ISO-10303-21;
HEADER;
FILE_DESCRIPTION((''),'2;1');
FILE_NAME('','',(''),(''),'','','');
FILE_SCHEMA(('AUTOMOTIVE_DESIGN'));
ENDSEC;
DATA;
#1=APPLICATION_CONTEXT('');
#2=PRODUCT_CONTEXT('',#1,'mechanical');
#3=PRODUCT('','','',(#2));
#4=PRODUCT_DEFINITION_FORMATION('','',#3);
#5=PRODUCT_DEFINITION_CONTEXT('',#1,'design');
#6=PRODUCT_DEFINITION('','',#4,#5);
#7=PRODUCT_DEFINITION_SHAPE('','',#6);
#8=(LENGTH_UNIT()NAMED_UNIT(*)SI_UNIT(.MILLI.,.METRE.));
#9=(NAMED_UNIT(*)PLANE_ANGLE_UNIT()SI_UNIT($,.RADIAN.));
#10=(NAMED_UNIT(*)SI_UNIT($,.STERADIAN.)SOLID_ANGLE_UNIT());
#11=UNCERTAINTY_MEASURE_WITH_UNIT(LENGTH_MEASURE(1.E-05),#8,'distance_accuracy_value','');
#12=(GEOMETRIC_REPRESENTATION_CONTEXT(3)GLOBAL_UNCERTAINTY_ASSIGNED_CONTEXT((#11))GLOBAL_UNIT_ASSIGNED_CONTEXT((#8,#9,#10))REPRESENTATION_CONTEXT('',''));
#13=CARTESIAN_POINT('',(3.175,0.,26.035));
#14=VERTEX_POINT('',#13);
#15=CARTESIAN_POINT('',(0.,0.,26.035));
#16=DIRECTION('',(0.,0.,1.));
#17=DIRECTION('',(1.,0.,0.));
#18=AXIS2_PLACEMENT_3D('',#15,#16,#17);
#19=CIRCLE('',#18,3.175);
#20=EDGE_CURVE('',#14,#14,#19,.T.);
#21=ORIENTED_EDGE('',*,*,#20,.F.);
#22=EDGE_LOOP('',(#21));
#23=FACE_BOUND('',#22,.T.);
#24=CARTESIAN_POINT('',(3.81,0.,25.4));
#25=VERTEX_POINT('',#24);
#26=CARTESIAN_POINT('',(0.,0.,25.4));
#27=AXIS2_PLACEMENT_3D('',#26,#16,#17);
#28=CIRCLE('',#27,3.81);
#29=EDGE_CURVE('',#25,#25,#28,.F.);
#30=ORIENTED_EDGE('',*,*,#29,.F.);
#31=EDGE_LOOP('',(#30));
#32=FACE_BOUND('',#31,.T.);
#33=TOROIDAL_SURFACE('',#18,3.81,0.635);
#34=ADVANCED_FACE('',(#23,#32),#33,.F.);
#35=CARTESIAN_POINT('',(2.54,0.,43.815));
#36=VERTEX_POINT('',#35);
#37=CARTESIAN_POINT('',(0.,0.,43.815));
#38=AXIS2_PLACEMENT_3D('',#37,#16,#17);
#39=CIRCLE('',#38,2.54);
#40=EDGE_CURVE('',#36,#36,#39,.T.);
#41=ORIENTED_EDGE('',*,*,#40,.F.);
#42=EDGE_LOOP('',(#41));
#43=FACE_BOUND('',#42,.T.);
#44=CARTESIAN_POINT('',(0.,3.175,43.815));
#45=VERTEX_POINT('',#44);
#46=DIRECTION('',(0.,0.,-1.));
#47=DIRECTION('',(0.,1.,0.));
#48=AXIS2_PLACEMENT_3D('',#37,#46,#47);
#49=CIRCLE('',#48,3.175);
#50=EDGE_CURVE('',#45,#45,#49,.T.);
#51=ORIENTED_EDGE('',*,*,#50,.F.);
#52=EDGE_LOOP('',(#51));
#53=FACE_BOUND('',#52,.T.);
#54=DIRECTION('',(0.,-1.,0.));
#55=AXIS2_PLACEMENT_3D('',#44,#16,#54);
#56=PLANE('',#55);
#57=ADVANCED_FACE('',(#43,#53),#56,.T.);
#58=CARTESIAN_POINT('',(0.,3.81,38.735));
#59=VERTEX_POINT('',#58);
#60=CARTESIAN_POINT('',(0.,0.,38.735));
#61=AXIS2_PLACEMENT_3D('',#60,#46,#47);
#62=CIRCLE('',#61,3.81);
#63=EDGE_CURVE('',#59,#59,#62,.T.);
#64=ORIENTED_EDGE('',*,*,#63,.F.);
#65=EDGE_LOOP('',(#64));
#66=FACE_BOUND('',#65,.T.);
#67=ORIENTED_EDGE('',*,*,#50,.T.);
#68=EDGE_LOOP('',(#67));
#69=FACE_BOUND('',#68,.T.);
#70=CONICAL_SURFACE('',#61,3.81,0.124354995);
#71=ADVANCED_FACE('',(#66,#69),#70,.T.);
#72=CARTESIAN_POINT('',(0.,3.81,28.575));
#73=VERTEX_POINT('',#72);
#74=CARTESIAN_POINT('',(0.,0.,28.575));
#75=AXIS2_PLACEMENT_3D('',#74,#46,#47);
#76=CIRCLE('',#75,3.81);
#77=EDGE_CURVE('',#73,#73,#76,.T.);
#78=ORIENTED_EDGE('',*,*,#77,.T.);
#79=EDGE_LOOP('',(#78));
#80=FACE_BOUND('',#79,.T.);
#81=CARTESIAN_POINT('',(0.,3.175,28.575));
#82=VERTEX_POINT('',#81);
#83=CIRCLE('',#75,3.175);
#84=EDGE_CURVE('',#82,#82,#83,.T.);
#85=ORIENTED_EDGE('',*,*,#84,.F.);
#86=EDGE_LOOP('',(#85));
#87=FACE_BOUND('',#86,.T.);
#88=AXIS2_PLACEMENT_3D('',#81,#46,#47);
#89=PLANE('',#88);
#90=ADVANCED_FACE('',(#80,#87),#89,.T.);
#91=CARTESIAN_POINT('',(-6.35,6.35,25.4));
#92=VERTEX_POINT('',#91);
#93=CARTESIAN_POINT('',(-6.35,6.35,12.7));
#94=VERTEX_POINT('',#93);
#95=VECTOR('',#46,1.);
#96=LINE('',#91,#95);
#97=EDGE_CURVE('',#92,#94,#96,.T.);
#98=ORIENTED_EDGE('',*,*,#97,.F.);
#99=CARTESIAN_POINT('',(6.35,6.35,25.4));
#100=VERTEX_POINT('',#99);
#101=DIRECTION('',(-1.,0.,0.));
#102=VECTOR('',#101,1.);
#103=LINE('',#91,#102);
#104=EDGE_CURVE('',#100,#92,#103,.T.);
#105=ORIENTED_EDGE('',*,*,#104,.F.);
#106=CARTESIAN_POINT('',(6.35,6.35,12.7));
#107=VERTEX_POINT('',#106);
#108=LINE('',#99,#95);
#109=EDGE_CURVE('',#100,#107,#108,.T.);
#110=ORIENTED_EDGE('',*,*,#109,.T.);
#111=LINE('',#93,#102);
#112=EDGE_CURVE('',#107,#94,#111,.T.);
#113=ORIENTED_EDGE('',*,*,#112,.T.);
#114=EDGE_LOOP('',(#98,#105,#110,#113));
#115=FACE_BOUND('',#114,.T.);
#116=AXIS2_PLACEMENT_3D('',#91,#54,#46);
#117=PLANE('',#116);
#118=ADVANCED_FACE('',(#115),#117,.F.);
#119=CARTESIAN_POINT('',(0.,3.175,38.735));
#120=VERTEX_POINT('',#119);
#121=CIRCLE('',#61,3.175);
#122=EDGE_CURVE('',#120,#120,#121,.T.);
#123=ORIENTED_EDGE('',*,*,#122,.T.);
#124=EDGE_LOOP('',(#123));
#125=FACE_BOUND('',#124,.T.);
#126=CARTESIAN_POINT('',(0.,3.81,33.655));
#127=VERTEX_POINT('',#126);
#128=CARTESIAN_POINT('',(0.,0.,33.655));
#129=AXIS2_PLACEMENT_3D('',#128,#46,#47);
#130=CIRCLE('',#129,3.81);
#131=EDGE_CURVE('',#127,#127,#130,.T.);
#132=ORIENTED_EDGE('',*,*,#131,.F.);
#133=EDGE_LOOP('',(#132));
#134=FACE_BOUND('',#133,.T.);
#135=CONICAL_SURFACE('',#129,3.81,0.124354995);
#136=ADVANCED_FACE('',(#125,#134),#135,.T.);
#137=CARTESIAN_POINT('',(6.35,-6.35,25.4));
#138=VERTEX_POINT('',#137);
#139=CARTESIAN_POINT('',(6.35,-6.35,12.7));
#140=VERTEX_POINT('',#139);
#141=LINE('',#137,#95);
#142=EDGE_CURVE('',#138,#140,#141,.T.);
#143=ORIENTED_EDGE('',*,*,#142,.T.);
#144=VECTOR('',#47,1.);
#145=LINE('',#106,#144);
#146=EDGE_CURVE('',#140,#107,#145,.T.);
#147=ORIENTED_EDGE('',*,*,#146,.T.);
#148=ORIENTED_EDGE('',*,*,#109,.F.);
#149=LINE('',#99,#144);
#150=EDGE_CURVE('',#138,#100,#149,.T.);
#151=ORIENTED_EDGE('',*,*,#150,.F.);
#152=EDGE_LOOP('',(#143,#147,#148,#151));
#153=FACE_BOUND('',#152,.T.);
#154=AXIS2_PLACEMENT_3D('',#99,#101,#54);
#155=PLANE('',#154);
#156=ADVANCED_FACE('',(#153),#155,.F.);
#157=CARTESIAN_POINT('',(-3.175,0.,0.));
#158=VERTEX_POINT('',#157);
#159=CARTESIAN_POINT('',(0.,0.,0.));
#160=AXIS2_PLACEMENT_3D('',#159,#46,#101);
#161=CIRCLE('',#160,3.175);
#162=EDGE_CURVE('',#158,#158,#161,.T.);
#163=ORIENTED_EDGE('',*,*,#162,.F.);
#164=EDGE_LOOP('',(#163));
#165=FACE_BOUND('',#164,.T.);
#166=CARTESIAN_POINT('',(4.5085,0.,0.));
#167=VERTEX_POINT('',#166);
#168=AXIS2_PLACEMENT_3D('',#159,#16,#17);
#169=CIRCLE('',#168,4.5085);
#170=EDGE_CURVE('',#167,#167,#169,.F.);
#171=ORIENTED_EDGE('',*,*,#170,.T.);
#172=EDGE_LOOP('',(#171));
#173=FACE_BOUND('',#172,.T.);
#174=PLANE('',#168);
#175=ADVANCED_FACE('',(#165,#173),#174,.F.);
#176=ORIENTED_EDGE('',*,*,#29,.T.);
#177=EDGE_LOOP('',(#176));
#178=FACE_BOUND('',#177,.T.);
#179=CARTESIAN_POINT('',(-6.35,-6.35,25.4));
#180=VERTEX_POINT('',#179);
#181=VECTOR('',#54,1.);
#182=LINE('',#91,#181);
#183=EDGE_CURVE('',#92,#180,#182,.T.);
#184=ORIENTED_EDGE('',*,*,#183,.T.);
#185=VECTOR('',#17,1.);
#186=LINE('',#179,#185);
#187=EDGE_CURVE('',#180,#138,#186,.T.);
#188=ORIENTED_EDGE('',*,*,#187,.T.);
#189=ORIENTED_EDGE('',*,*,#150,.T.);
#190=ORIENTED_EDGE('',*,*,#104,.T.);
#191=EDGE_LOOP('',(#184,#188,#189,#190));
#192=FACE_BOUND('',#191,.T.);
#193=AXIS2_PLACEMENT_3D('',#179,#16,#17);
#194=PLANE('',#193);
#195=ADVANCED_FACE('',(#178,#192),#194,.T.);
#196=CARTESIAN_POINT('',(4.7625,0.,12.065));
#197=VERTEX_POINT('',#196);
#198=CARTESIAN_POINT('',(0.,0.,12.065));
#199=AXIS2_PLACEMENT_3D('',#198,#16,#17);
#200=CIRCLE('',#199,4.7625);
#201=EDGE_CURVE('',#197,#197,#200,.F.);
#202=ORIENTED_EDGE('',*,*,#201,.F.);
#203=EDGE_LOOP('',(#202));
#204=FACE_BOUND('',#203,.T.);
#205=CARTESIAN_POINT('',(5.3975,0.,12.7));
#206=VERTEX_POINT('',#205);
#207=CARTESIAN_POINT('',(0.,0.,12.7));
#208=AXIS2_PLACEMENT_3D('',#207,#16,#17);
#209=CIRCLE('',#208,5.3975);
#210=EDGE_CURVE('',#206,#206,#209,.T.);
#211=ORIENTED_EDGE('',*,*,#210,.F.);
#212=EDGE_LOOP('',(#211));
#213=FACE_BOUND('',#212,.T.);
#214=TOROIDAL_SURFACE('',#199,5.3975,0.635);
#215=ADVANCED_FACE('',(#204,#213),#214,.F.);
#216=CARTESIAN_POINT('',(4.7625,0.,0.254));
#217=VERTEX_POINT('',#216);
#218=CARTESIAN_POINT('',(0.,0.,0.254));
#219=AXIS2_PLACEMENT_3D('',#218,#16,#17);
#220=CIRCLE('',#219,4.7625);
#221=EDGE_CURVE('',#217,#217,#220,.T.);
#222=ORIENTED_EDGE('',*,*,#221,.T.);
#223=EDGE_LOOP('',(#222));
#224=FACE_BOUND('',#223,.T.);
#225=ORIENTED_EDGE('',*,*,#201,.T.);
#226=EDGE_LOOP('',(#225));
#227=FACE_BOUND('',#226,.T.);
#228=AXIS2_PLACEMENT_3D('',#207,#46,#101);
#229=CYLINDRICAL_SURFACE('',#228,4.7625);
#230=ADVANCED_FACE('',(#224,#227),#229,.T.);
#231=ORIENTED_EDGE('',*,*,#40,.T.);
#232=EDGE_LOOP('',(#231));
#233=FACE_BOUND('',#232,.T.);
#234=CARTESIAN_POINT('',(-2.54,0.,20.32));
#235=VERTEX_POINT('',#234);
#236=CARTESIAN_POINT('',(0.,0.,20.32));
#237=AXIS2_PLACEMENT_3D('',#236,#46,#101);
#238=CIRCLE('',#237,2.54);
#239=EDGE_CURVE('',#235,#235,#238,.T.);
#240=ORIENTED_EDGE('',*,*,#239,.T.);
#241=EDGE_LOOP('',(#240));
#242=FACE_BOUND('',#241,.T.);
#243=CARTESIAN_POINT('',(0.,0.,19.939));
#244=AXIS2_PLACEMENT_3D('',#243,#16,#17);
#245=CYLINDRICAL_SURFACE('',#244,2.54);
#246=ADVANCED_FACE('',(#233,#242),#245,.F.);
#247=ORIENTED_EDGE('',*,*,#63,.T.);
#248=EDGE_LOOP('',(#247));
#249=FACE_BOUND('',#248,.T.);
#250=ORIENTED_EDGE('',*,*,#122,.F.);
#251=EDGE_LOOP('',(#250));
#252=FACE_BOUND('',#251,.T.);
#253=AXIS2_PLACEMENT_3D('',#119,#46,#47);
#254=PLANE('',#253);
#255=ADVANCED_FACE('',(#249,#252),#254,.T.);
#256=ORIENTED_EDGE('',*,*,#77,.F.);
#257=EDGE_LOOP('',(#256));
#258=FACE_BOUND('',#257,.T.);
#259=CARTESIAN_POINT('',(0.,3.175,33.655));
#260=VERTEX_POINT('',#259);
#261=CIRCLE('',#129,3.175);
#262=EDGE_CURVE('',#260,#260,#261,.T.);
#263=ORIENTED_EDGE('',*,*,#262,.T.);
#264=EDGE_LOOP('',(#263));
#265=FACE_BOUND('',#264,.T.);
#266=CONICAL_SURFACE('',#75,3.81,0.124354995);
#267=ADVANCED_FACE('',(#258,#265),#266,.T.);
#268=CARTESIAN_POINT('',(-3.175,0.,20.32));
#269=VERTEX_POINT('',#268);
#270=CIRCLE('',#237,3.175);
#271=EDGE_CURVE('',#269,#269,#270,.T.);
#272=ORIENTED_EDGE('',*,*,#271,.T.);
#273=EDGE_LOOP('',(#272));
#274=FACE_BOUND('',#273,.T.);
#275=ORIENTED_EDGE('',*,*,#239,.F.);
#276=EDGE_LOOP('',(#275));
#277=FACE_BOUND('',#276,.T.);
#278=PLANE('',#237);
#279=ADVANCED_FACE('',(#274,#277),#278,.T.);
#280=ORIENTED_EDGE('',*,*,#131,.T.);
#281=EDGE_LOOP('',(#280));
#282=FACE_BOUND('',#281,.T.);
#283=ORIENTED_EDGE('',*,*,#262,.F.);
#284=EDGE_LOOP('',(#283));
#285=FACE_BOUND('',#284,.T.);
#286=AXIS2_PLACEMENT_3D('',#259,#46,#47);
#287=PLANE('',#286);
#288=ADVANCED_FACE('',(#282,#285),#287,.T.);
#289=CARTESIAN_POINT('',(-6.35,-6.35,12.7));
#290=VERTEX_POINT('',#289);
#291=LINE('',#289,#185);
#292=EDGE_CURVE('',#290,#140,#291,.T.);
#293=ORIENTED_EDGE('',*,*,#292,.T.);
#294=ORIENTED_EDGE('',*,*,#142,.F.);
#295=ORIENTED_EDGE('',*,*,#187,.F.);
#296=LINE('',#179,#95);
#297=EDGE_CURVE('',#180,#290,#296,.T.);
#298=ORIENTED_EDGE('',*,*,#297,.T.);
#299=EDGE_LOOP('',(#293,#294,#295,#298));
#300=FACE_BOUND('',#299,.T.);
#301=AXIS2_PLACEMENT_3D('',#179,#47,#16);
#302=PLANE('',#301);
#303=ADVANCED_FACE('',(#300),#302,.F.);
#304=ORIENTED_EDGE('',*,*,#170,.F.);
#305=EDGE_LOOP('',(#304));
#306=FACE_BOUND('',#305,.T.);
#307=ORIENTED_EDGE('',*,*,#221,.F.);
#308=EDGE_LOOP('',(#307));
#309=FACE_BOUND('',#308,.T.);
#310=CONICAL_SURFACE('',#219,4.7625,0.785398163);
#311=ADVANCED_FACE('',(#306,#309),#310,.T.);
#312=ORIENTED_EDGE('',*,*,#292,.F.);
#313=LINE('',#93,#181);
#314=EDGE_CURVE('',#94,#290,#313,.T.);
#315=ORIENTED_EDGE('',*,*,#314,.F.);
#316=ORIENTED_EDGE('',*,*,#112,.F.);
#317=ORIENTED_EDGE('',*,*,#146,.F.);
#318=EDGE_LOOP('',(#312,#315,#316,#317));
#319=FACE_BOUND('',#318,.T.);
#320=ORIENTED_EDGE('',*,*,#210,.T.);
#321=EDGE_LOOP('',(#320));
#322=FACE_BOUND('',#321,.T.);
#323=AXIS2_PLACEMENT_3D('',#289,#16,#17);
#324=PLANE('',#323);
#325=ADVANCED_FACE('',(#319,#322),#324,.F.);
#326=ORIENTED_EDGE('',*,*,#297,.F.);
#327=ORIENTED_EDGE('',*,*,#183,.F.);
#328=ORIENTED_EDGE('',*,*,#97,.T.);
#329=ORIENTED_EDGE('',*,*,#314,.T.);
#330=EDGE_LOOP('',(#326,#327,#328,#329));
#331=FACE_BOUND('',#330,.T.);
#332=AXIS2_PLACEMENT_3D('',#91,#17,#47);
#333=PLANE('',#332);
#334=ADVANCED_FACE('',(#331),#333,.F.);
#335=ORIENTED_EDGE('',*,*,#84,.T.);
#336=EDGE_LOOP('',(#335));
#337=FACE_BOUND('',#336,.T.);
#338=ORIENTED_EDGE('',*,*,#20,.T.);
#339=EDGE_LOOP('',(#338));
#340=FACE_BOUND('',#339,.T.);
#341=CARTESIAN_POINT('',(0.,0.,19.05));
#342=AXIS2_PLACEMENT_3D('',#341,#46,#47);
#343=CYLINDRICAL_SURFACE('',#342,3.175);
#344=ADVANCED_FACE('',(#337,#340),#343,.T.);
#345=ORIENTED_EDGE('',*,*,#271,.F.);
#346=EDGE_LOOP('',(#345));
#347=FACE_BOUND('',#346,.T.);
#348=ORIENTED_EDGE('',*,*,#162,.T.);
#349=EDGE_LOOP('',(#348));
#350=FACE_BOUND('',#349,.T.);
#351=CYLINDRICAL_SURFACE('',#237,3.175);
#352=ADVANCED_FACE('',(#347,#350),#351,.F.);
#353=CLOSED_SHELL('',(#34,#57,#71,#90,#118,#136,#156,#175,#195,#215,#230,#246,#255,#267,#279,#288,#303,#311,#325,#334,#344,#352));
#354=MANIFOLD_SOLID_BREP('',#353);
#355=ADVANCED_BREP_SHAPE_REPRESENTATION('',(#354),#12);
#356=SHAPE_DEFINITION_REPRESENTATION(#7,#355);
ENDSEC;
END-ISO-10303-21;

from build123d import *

# Parameters (mm, degrees)
SKETCH1_R           = 4.7625
BOSS_EXTRUDE1_DEPTH = 12.7
CHAMFER1_SIZE       = 0.254
SKETCH2_W           = 12.7
SKETCH2_H           = 12.7
BOSS_EXTRUDE2_DEPTH = 12.7
FILLET1_R           = 0.635
CUT_EXTRUDE2_START  = -20.32
SKETCH5_R           = 3.175
CUT_EXTRUDE2_DEPTH  = 20.32
SKETCH6_R           = 2.54
CUT_EXTRUDE3_DEPTH  = 23.876


with BuildPart() as part:
    # Sketch1 → Boss-Extrude1 (new body)
    with BuildSketch(Plane.XY):
        Circle(SKETCH1_R)
    extrude(amount=BOSS_EXTRUDE1_DEPTH)

    # Chamfer1
    chamfer1_edges = [part.edges().sort_by_distance(p)[0] for p in [
        (-4.7625, 0, 0),
    ]]
    chamfer(chamfer1_edges, length=CHAMFER1_SIZE)

    # Sketch2 → Boss-Extrude2 (add)
    with BuildSketch(Plane.XY.offset(12.7)):
        Rectangle(SKETCH2_W, SKETCH2_H)
    extrude(amount=BOSS_EXTRUDE2_DEPTH)

    # Sketch3 → Revolve1 (revolve)
    with BuildSketch(Plane(origin=(0, 0, 0), x_dir=(0, 0, -1), z_dir=(1, 0, 0))):
        Polygon((-25.4, 3.175), (-28.575, 3.175), (-28.575, 3.81), (-33.655, 3.175), (-33.655, 3.81), (-38.735, 3.175), (-38.735, 3.81), (-43.815, 3.175), (-43.815, 0), (-25.4, 0), align=None)
    revolve(axis=Axis((0, 0, 19.05), (0, 0, 1)))

    # Fillet1
    fillet1_edges = [part.edges().sort_by_distance(p)[0] for p in [
        (0, -3.175, 25.4),
        (-4.7625, 0, 12.7),
    ]]
    fillet(fillet1_edges, radius=FILLET1_R)

    # Sketch5 → Cut-Extrude2 (cut)
    with BuildSketch(Plane(origin=(0, 0, 0), x_dir=(-1, 0, 0), z_dir=(0, 0, -1)).offset(CUT_EXTRUDE2_START)):
        with Locations(Location((0, 0, 0), (0, 0, 90))):
            Circle(SKETCH5_R)
    extrude(amount=CUT_EXTRUDE2_DEPTH, mode=Mode.SUBTRACT)

    # Sketch6 → Cut-Extrude3 (cut)
    with BuildSketch(Plane.XY.offset(43.815)):
        Circle(SKETCH6_R)
    extrude(amount=-CUT_EXTRUDE3_DEPTH, mode=Mode.SUBTRACT)


solid = part.part
